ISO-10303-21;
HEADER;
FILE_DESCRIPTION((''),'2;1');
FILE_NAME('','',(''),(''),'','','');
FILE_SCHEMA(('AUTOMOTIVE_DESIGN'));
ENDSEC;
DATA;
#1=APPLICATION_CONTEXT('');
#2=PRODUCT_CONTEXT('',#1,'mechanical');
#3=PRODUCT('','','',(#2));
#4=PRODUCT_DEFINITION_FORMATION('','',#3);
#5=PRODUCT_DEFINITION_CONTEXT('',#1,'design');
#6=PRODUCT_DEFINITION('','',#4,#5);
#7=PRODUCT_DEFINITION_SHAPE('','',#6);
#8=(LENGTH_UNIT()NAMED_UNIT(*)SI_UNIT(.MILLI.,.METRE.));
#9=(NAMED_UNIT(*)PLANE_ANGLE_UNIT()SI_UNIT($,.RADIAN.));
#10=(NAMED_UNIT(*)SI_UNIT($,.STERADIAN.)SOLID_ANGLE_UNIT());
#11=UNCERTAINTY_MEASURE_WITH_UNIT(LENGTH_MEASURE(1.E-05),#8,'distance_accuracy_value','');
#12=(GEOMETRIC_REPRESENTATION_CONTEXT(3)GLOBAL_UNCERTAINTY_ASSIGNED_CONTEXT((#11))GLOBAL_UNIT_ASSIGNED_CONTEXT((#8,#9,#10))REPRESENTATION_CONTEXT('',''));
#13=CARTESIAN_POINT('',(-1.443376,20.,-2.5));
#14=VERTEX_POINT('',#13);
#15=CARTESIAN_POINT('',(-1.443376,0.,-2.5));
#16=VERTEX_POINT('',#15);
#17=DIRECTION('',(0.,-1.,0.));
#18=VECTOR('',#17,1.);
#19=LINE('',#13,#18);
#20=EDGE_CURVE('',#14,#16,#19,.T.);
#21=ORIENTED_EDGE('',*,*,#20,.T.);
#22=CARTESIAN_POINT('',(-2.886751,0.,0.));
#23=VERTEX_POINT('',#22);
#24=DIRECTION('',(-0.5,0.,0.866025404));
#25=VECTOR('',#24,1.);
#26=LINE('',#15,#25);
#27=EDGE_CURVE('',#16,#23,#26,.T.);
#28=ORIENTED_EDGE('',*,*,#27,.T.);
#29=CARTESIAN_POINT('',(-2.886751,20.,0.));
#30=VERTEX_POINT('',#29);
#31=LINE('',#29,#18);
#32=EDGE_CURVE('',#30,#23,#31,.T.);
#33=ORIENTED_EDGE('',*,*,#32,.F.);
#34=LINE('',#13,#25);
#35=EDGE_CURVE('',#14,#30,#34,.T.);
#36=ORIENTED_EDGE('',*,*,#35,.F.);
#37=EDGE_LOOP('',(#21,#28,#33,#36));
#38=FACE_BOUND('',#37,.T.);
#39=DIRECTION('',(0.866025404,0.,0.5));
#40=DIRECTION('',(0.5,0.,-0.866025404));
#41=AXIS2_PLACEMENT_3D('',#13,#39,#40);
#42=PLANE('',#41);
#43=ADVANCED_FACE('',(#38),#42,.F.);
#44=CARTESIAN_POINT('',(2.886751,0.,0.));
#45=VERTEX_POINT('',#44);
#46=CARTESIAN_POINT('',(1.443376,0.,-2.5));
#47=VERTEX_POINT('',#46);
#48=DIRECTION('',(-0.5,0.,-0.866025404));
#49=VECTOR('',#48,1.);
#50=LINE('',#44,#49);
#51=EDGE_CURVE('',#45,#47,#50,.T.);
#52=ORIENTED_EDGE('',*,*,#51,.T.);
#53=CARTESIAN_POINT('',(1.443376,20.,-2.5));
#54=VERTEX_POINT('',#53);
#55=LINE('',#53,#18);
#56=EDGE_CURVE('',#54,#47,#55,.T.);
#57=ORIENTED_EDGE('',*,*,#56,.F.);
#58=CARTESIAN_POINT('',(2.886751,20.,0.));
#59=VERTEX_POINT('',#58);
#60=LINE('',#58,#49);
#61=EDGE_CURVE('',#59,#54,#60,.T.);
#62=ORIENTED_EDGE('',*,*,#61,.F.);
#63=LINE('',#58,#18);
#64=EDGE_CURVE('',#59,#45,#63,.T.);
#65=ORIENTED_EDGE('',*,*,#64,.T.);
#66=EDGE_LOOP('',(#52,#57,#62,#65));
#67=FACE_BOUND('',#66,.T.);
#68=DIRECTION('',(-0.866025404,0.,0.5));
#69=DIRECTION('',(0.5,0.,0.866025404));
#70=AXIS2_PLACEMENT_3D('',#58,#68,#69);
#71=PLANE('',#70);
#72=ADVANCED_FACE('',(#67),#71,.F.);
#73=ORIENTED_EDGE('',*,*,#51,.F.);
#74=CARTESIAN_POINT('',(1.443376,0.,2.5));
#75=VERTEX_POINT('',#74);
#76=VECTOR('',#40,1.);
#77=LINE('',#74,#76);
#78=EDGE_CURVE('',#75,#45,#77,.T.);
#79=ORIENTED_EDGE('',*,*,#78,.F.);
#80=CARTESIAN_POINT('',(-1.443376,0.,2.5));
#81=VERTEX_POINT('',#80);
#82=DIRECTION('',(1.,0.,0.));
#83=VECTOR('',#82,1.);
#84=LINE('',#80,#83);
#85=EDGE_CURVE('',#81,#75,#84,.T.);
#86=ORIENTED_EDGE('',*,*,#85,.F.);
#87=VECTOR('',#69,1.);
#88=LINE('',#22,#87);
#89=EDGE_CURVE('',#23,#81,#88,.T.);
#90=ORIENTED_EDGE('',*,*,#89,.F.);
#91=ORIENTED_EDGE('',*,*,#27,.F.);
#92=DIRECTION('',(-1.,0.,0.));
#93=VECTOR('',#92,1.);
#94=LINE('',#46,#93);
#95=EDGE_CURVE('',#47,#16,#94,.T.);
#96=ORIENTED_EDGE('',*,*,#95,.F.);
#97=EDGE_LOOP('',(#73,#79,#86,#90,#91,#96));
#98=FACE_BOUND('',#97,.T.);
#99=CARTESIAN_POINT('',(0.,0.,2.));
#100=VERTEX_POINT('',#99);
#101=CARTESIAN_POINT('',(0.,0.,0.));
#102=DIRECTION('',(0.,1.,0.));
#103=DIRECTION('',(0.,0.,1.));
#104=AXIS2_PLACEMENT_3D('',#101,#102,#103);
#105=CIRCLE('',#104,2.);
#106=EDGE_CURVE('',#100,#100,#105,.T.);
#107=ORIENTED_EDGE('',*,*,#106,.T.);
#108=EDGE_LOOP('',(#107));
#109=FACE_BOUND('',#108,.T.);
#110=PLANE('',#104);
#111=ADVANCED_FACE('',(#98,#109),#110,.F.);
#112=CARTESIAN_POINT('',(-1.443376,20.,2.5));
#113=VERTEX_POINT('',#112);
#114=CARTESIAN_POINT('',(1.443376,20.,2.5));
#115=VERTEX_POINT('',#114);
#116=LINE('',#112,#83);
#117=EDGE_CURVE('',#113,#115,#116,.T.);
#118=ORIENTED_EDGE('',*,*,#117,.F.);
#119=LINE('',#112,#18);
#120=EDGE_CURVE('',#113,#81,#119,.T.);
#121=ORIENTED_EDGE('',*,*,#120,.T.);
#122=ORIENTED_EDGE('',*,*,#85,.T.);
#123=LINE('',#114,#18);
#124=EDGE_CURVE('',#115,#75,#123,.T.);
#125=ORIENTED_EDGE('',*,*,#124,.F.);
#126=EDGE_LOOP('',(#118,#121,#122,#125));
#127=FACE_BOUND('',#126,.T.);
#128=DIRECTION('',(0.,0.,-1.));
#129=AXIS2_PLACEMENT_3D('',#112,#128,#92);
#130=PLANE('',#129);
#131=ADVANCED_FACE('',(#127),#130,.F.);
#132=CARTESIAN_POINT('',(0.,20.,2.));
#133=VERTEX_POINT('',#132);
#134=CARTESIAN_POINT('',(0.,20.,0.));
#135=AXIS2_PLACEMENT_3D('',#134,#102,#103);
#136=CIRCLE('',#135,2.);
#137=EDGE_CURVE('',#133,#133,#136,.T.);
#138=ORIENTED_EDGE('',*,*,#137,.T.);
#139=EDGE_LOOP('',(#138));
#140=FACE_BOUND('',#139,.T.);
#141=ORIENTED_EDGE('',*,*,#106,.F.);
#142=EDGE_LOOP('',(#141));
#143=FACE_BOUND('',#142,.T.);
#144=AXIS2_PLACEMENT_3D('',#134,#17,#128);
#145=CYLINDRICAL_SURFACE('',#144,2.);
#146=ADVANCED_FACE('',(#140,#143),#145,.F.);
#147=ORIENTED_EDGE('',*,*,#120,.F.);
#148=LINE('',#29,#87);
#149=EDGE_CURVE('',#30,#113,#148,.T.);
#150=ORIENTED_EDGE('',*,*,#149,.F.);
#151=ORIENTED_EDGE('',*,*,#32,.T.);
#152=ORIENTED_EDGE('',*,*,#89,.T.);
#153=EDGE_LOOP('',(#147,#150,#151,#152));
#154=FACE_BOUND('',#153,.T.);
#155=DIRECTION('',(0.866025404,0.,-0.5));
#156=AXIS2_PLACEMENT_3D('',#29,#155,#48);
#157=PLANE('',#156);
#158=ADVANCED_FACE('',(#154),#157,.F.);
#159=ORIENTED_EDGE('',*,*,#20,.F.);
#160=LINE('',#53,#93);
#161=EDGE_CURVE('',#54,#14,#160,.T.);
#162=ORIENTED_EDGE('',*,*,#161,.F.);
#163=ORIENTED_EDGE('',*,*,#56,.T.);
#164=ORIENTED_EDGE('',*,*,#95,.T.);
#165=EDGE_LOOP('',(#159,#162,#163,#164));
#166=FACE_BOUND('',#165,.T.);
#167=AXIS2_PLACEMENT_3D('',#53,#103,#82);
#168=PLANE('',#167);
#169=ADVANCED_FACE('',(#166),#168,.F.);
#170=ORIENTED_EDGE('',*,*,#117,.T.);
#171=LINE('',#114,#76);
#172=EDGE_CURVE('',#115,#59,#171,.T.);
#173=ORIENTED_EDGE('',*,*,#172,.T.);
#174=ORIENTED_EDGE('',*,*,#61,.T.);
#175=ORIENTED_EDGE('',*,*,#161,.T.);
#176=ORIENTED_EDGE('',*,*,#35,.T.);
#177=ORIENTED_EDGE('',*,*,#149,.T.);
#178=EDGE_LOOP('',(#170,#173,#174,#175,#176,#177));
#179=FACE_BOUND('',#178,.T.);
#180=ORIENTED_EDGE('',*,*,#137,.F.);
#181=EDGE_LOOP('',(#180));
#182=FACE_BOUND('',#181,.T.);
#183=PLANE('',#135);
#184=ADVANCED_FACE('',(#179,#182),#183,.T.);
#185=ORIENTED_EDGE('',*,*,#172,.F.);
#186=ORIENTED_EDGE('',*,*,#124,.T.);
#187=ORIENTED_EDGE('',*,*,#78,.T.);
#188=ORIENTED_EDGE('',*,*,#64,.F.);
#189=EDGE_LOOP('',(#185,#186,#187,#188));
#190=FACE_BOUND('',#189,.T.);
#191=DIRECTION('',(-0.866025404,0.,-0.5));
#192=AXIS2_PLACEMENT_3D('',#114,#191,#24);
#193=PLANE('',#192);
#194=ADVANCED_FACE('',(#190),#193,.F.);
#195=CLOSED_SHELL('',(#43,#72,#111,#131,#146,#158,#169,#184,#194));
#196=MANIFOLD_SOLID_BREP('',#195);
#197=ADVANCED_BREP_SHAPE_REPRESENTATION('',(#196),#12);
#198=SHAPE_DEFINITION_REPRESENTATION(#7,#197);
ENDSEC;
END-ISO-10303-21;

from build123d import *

# Parameters (mm, degrees)
SKETCH_1_R      = 2
EXTRUDE_1_DEPTH = 20


with BuildPart() as part:
    # 草图1 → 凸台-拉伸1 (new body)
    with BuildSketch(Plane(origin=(0, 0, 0), x_dir=(1, 0, 0), z_dir=(0, 1, 0))):
        Polygon((1.443375673, 2.5), (-1.443375673, 2.5), (-2.886751346, 0), (-1.443375673, -2.5), (1.443375673, -2.5), (2.886751346, 0), align=None)
        with Locations(Location((0, 0, 0), (0, 0, 270))):
            Circle(SKETCH_1_R, mode=Mode.SUBTRACT)
    extrude(amount=EXTRUDE_1_DEPTH)


solid = part.part
